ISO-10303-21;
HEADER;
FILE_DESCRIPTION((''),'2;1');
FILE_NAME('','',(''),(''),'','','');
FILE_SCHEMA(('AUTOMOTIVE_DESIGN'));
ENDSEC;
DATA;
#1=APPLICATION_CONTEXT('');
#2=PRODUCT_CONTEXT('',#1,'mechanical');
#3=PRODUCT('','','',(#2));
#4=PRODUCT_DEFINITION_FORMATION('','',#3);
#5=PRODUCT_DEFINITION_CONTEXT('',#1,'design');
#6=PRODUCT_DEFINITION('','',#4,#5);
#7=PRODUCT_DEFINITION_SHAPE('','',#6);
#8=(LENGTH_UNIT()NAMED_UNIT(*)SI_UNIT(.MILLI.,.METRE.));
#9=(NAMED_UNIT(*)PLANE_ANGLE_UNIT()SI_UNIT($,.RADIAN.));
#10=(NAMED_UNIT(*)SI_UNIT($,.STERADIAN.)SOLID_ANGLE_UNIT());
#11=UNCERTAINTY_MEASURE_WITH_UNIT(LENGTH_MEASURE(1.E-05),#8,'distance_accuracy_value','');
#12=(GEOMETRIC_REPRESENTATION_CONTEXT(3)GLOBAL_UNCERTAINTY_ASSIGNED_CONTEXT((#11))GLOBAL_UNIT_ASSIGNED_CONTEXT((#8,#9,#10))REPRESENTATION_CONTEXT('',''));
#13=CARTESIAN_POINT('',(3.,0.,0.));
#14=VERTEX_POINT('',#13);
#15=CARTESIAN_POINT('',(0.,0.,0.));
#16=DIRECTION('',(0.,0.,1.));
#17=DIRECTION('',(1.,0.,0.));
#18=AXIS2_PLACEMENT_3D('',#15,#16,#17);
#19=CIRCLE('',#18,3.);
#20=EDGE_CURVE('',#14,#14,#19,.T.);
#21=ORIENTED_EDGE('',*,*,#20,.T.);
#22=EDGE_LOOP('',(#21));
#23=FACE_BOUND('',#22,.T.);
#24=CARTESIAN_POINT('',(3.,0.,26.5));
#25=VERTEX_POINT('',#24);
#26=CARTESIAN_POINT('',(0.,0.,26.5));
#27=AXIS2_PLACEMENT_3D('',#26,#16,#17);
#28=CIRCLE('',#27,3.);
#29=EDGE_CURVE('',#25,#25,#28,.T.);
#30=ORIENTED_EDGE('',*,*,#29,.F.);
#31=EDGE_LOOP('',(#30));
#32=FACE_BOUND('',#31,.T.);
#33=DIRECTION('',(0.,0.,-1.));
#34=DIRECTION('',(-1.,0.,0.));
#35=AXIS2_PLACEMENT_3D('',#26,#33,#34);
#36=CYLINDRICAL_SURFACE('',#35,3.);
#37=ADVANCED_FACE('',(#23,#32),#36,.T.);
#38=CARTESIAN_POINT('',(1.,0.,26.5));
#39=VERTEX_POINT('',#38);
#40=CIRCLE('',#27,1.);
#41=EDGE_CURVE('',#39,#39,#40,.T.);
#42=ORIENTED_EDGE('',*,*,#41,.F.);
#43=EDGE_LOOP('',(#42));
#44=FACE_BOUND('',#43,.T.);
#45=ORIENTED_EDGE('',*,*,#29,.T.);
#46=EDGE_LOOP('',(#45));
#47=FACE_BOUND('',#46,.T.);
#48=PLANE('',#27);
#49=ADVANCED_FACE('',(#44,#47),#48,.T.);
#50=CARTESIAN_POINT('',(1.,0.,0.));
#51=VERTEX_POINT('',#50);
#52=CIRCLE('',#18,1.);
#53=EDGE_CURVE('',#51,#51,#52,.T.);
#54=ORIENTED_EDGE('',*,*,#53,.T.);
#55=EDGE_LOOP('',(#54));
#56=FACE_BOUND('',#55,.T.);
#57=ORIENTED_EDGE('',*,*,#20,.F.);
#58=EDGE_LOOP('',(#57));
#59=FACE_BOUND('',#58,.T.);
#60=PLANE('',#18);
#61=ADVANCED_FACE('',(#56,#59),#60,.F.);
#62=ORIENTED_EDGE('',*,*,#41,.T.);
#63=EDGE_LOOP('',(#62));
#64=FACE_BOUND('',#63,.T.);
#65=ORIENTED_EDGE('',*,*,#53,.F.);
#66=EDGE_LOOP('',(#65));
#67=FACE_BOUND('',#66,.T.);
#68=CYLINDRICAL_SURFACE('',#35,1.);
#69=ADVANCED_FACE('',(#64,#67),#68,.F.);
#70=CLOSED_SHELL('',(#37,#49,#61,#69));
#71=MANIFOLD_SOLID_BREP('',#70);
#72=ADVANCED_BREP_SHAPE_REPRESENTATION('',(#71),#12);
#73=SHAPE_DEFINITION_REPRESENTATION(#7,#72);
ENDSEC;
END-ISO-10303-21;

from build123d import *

# Parameters (mm, degrees)
SKETCH_1_R      = 3
SKETCH_1_R_2    = 1
EXTRUDE_1_DEPTH = 26.5


with BuildPart() as part:
    # Эскиз1 → Бобышка-Вытянуть1 (new body)
    with BuildSketch(Plane.XY):
        Circle(SKETCH_1_R)
        Circle(SKETCH_1_R_2, mode=Mode.SUBTRACT)
    extrude(amount=EXTRUDE_1_DEPTH)


solid = part.part
